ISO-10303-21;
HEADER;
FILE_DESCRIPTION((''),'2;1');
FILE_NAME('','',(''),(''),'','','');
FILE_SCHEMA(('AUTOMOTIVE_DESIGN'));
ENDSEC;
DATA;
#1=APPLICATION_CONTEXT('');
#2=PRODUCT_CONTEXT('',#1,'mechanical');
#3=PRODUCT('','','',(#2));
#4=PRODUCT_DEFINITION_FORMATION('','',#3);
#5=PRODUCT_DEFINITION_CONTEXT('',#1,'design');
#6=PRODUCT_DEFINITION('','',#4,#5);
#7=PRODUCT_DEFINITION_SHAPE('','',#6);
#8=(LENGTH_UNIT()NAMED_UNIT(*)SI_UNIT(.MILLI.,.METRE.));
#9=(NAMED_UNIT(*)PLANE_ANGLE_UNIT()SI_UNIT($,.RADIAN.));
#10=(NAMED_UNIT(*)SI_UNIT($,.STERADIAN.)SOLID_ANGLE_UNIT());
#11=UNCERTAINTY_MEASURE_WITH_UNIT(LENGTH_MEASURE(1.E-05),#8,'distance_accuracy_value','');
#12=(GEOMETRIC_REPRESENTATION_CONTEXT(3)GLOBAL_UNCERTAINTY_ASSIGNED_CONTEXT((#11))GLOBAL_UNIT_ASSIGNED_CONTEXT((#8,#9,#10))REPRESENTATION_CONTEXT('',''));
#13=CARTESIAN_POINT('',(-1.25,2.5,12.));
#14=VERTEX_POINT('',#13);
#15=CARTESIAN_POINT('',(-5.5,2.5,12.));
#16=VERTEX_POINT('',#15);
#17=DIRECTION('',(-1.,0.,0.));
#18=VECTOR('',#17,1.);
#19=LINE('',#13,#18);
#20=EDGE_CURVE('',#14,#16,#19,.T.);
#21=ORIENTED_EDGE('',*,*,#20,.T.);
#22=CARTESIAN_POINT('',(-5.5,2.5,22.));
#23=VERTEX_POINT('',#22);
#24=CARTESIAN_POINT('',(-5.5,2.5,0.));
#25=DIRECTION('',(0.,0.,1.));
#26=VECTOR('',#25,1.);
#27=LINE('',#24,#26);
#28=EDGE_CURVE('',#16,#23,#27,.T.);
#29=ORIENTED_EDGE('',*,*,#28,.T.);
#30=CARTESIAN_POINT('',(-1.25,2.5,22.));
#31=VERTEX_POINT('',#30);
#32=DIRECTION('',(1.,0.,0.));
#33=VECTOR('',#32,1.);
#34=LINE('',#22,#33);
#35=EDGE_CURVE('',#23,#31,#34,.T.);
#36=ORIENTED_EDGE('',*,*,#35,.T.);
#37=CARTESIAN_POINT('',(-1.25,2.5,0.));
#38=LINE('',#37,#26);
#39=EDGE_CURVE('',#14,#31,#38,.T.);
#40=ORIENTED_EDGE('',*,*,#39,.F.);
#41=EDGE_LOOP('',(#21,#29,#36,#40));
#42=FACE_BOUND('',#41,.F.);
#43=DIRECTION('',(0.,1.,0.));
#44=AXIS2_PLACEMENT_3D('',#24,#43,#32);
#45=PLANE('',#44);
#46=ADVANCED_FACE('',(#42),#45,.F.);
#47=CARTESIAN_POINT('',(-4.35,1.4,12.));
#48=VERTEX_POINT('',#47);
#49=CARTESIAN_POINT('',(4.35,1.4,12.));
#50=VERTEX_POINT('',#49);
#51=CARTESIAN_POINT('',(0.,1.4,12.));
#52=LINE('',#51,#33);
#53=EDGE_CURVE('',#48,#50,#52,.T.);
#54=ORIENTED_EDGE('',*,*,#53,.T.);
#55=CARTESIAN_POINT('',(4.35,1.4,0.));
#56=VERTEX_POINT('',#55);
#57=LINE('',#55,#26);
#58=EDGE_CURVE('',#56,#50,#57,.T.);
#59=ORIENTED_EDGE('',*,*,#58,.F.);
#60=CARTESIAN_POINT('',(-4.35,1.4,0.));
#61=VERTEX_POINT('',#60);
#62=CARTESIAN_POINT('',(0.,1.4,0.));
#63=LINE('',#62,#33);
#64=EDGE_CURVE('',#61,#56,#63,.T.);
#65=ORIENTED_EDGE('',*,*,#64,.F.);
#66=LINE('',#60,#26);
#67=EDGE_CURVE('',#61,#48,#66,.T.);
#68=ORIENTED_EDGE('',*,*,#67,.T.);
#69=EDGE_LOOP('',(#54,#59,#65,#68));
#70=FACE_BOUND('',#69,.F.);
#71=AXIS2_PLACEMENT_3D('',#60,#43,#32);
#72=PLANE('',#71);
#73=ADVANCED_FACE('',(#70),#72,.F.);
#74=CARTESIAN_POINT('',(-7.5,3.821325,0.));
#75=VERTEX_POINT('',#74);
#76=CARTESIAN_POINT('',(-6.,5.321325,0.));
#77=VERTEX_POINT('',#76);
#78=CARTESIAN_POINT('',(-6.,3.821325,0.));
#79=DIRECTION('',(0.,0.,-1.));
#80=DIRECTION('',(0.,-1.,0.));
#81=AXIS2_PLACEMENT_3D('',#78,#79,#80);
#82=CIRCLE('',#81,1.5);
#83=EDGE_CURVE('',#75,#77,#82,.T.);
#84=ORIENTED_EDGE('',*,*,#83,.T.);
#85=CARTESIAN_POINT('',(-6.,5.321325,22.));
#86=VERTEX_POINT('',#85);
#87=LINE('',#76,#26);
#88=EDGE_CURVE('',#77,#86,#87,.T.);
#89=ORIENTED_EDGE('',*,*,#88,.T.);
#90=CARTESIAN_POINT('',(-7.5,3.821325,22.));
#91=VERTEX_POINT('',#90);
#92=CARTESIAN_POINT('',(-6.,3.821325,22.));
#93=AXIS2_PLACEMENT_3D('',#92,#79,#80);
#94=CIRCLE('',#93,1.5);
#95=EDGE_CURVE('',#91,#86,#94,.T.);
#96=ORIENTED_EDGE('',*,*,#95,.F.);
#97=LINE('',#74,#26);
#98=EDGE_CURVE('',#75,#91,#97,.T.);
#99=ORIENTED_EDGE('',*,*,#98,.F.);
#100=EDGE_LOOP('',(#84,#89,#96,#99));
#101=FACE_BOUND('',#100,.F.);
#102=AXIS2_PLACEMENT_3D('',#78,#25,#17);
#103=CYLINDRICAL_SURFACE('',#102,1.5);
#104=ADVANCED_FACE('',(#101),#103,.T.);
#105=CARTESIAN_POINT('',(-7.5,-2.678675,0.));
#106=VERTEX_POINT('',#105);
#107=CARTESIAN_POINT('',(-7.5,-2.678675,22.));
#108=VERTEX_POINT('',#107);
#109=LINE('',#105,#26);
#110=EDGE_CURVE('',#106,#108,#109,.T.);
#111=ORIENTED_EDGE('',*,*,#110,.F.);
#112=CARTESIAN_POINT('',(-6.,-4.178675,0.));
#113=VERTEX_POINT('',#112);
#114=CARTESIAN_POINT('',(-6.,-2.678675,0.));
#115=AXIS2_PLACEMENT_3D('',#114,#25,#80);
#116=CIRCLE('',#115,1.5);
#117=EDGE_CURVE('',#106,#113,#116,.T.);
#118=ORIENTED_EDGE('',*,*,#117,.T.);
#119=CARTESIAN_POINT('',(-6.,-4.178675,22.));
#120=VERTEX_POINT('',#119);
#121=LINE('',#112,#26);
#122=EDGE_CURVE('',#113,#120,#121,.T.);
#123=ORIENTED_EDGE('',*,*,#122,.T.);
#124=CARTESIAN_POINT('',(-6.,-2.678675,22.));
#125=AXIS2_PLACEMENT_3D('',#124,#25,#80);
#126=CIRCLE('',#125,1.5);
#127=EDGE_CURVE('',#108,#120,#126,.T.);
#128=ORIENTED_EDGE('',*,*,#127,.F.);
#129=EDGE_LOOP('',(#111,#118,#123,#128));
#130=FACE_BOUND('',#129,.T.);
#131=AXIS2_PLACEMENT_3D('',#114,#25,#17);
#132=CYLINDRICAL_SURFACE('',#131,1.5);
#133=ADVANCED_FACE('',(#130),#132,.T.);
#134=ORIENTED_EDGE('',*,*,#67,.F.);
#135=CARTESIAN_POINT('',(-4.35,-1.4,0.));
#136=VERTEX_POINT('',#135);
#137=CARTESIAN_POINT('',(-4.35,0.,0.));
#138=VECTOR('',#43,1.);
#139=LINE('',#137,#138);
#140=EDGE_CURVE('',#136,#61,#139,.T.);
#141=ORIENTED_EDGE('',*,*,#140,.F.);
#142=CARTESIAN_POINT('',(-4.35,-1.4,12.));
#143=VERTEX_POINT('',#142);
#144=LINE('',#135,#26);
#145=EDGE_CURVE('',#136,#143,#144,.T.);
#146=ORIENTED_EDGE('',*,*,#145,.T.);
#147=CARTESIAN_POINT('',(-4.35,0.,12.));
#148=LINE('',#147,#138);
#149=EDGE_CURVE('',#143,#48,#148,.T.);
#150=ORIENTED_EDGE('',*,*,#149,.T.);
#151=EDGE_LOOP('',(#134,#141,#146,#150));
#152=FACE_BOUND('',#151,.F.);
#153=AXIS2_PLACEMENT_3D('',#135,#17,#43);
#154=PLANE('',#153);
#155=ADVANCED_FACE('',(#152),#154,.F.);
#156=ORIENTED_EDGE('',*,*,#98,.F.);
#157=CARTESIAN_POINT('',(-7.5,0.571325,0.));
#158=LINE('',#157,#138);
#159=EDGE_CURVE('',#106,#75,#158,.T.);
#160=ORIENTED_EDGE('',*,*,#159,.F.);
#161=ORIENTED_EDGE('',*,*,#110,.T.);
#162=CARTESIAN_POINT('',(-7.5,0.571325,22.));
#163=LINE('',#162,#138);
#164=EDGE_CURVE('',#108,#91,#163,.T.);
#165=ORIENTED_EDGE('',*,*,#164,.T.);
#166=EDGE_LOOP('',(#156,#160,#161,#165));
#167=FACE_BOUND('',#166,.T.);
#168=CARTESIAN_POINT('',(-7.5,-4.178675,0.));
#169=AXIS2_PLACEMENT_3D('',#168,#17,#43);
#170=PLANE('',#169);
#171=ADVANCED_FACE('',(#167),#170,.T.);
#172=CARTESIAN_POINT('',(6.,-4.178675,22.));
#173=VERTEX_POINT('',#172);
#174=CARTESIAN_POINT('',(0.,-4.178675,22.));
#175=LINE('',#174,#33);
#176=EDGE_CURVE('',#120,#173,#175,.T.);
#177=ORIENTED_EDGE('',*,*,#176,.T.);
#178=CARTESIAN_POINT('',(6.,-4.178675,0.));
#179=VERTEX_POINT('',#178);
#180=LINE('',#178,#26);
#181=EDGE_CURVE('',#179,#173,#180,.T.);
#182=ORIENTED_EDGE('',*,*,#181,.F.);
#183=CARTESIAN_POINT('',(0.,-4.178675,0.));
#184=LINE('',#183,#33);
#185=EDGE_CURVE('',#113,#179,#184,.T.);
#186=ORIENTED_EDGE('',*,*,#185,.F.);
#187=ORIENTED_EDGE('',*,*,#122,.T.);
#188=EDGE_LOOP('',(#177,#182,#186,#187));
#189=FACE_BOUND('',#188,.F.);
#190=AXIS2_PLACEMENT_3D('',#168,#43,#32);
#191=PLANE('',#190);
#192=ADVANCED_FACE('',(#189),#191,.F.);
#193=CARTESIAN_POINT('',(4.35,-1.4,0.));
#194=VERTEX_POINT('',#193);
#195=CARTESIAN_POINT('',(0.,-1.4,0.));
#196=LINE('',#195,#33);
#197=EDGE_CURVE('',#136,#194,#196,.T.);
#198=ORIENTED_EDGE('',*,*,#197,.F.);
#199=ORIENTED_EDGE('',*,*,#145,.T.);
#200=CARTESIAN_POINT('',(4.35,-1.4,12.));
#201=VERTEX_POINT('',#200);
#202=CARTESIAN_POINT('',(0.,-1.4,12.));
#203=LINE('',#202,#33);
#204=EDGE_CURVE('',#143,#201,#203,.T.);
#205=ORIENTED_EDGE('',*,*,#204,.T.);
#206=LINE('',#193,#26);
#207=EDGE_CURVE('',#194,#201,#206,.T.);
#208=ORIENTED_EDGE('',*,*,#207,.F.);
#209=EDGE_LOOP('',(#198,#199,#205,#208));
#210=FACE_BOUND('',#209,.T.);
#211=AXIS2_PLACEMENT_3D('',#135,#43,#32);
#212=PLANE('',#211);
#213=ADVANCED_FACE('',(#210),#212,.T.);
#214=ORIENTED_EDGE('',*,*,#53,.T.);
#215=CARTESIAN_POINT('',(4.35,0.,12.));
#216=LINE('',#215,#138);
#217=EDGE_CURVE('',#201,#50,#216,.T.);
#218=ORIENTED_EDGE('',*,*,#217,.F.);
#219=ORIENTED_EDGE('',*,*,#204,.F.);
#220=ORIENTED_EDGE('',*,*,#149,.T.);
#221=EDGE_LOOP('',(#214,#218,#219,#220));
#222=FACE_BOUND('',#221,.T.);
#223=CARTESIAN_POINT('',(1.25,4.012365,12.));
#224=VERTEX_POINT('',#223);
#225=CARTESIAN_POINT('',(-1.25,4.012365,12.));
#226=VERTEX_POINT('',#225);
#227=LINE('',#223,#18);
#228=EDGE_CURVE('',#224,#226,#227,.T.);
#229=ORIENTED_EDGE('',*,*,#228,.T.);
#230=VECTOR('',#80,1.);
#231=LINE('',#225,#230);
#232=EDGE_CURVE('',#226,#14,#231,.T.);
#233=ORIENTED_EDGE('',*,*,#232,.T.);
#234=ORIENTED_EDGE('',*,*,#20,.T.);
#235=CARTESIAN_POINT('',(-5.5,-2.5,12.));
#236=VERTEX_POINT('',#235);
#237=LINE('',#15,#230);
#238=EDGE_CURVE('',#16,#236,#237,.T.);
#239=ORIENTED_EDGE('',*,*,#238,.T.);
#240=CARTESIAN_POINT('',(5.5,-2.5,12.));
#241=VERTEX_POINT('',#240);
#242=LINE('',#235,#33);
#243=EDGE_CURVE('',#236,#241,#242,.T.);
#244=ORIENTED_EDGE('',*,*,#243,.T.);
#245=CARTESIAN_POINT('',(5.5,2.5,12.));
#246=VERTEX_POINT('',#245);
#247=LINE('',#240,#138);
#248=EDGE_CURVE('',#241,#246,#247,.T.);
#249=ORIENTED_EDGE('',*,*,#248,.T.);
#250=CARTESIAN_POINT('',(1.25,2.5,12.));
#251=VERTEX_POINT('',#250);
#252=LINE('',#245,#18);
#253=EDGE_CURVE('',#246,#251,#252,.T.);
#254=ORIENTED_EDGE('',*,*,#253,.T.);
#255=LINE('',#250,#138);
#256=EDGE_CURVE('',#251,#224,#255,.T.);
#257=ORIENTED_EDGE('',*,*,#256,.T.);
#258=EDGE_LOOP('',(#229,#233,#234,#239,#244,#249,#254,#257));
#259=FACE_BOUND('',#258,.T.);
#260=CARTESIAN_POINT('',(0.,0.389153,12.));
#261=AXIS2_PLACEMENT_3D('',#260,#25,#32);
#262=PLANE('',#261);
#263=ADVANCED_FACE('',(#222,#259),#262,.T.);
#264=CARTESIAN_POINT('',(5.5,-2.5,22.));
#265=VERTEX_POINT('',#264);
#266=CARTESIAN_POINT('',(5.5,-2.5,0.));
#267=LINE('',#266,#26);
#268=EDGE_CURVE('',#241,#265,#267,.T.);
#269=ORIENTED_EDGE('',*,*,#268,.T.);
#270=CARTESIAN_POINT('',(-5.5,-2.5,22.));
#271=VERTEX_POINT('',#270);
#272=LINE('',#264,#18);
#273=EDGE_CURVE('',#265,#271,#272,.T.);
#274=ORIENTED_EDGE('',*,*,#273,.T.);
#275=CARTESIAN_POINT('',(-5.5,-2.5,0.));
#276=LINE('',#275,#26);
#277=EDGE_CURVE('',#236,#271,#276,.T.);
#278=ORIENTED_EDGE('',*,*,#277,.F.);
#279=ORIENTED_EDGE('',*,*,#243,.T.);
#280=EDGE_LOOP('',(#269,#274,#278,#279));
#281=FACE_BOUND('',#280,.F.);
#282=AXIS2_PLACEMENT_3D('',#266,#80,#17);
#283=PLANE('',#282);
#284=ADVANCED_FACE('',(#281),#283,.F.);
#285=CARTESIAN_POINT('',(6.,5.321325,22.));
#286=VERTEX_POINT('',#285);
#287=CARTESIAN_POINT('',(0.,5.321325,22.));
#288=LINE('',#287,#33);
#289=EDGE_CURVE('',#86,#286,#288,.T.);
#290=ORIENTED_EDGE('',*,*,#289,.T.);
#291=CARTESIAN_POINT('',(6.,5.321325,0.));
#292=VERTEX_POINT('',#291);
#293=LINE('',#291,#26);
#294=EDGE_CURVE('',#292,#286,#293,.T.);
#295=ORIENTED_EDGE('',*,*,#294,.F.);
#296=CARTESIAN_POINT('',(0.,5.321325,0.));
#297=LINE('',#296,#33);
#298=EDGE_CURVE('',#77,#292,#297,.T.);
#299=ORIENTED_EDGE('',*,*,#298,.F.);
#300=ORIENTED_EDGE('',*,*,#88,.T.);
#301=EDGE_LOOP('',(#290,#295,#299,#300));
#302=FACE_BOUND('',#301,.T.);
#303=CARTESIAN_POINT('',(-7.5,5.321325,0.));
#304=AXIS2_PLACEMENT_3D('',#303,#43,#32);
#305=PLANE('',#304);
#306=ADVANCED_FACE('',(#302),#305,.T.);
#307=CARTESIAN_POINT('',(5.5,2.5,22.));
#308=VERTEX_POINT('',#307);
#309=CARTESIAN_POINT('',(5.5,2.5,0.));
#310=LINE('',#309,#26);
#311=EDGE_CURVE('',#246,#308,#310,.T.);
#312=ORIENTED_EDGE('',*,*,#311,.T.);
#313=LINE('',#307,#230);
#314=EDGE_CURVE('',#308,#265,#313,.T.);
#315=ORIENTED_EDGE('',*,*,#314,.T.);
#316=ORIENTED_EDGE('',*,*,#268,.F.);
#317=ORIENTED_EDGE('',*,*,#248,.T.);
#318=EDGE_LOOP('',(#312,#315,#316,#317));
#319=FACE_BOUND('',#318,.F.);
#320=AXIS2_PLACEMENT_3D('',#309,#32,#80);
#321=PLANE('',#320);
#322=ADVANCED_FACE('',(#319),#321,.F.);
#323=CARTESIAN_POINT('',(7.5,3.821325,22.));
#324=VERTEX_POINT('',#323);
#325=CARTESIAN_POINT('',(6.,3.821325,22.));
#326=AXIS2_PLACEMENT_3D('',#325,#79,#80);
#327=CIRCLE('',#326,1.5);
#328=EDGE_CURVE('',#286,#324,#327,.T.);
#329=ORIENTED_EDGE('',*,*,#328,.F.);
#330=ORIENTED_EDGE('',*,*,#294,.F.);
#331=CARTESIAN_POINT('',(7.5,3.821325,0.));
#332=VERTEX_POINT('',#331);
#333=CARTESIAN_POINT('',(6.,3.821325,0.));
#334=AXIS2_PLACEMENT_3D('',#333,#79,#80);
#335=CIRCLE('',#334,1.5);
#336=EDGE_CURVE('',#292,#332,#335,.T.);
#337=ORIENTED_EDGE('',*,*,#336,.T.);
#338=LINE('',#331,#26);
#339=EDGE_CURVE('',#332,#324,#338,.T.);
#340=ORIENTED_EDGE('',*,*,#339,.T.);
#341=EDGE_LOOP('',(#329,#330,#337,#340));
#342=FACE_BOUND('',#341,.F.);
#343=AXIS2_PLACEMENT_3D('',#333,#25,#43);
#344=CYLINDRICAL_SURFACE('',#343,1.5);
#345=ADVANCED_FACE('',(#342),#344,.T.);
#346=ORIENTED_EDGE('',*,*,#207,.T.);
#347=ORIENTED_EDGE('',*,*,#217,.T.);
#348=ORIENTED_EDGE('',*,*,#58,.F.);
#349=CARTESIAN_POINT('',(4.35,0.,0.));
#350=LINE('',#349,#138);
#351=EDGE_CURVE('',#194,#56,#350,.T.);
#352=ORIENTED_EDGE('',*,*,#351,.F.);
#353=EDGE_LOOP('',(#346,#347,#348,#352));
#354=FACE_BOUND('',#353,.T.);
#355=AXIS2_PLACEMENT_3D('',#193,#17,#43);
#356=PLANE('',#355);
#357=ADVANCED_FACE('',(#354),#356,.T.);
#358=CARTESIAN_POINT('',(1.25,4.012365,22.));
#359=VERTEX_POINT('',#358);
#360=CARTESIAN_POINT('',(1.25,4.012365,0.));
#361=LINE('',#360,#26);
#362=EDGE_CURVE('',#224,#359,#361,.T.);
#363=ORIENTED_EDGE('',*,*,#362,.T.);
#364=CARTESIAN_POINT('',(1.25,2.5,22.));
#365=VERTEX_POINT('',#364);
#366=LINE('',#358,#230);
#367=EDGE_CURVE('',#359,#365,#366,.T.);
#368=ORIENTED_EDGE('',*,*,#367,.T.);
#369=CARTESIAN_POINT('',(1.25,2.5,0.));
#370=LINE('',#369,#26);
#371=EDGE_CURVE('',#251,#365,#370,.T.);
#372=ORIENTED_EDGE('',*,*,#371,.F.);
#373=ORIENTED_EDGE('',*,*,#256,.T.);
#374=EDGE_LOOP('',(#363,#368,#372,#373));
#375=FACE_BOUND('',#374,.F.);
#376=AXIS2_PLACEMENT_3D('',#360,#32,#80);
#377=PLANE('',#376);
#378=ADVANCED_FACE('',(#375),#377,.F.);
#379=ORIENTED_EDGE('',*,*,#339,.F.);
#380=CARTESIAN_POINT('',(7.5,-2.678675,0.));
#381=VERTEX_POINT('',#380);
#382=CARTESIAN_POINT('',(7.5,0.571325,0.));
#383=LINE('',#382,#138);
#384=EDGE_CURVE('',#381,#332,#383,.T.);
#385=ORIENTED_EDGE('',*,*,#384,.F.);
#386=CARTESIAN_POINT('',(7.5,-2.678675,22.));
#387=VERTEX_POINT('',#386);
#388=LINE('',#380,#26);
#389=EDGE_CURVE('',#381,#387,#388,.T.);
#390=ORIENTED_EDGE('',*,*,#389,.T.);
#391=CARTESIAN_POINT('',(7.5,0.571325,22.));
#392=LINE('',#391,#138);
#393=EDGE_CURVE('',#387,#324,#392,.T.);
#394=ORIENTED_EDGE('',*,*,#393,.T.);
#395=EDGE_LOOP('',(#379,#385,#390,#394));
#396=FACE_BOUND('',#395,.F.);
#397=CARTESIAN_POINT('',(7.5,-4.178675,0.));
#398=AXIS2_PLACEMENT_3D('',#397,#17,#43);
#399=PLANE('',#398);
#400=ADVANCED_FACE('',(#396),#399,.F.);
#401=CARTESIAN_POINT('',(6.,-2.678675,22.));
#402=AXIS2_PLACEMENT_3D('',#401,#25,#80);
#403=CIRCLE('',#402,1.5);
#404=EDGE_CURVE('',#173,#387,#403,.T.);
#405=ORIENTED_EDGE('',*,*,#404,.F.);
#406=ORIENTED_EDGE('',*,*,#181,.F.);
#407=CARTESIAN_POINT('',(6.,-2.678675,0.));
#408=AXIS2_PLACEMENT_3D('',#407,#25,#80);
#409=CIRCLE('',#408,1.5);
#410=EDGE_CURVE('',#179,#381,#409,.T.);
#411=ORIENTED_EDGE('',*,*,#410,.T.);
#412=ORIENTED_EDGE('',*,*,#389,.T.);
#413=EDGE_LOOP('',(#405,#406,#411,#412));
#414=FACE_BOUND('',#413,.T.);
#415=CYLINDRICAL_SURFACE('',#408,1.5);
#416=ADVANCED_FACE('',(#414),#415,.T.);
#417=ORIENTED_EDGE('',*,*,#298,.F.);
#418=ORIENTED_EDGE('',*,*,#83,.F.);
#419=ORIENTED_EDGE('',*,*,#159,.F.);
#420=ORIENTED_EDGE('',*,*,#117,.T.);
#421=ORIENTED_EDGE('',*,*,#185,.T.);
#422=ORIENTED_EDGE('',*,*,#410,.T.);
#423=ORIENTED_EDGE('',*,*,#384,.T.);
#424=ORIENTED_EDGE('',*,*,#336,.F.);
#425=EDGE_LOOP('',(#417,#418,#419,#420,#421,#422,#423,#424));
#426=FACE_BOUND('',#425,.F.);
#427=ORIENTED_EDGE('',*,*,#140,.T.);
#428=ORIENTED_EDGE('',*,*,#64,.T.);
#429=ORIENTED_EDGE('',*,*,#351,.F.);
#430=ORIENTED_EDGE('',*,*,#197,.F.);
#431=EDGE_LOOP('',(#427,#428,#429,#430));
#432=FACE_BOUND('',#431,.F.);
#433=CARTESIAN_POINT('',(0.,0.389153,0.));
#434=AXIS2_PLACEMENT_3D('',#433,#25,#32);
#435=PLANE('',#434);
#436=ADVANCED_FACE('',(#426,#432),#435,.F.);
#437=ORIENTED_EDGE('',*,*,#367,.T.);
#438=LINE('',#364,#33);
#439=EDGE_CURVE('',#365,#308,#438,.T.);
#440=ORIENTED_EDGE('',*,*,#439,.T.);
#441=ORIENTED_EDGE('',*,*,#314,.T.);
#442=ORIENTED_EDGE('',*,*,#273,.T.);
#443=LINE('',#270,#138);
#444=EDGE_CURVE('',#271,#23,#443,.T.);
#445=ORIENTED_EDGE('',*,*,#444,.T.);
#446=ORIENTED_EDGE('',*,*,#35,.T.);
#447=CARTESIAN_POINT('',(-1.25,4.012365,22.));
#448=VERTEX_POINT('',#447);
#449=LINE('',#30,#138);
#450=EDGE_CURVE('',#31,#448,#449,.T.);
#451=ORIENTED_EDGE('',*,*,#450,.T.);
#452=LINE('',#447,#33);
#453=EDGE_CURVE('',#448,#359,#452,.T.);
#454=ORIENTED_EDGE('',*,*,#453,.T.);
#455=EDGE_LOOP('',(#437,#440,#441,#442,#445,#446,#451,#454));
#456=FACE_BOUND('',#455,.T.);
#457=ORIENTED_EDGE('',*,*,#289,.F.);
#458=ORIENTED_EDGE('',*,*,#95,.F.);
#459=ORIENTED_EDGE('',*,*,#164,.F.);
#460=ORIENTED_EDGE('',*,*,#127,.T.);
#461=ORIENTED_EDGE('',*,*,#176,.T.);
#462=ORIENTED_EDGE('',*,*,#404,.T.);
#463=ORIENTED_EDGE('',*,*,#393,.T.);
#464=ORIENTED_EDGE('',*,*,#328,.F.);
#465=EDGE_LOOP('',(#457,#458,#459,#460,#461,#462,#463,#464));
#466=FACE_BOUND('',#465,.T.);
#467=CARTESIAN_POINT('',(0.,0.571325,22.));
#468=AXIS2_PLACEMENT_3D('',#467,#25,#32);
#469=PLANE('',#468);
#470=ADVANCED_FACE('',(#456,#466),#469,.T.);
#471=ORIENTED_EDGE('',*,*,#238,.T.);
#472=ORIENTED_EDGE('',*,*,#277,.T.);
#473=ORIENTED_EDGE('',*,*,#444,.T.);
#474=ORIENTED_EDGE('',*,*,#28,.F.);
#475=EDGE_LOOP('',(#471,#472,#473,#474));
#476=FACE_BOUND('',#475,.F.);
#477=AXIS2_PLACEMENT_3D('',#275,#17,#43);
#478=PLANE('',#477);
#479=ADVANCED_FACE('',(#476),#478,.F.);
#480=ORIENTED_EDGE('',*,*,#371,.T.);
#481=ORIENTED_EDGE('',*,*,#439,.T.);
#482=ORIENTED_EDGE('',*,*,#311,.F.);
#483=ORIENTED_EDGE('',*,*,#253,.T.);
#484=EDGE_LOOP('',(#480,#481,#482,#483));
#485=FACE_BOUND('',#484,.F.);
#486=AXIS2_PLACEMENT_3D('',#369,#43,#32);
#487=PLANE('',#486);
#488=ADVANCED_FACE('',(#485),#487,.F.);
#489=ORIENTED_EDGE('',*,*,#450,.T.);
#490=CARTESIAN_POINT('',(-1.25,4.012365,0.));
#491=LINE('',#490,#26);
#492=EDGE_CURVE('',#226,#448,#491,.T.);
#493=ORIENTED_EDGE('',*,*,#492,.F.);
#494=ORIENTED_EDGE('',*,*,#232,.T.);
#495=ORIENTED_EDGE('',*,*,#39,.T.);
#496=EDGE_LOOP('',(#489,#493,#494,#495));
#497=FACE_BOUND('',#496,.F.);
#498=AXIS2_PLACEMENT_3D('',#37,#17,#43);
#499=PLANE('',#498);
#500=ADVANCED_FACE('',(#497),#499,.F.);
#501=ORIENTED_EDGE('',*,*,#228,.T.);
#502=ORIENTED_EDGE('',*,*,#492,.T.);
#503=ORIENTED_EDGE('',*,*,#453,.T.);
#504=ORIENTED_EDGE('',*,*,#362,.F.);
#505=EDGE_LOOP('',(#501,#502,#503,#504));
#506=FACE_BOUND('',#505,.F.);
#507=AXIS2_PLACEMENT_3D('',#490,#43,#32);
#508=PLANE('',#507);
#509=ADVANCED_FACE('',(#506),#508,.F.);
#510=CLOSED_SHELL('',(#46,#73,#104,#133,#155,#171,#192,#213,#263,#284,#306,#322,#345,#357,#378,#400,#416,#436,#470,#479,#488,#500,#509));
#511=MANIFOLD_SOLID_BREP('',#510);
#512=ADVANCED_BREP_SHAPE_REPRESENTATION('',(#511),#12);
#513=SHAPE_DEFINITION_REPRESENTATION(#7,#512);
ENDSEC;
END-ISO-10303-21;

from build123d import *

# Parameters (mm, degrees)
F0_W     = 15
F0_H     = 9.5
F1_DEPTH = 22
F0_W_2   = 8.7
F0_H_2   = 2.8
F2_DEPTH = 12
F3_R     = 1.5


with BuildPart() as f1:
    # F0 (on Top) → F1 (new body)
    with BuildSketch(Plane.XY):
        with Locations((0, 0.571325)):
            Rectangle(F0_W, F0_H)
        Polygon((5.5, 2.5), (5.5, -2.5), (-5.5, -2.5), (-5.5, 2.5), (-1.25, 2.5), (-1.25, 4.012365), (1.25, 4.012365), (1.25, 2.5), align=None, mode=Mode.SUBTRACT)
    extrude(amount=F1_DEPTH)

    # F0 (on Top) → F2 (join)
    with BuildSketch(Plane.XY):
        Polygon((-5.5, -2.5), (5.5, -2.5), (5.5, 2.5), (1.25, 2.5), (1.25, 4.012365), (-1.25, 4.012365), (-1.25, 2.5), (-5.5, 2.5), align=None)
        Rectangle(F0_W_2, F0_H_2, mode=Mode.SUBTRACT)
    extrude(amount=F2_DEPTH)

    # F3
    f3_edges = [f1.edges().sort_by_distance(p)[0] for p in [
        (-7.5, 5.321325, 11),
        (7.5, 5.321325, 11),
        (7.5, -4.178675, 11),
        (-7.5, -4.178675, 11),
    ]]
    fillet(f3_edges, radius=F3_R)


solid = f1.part
